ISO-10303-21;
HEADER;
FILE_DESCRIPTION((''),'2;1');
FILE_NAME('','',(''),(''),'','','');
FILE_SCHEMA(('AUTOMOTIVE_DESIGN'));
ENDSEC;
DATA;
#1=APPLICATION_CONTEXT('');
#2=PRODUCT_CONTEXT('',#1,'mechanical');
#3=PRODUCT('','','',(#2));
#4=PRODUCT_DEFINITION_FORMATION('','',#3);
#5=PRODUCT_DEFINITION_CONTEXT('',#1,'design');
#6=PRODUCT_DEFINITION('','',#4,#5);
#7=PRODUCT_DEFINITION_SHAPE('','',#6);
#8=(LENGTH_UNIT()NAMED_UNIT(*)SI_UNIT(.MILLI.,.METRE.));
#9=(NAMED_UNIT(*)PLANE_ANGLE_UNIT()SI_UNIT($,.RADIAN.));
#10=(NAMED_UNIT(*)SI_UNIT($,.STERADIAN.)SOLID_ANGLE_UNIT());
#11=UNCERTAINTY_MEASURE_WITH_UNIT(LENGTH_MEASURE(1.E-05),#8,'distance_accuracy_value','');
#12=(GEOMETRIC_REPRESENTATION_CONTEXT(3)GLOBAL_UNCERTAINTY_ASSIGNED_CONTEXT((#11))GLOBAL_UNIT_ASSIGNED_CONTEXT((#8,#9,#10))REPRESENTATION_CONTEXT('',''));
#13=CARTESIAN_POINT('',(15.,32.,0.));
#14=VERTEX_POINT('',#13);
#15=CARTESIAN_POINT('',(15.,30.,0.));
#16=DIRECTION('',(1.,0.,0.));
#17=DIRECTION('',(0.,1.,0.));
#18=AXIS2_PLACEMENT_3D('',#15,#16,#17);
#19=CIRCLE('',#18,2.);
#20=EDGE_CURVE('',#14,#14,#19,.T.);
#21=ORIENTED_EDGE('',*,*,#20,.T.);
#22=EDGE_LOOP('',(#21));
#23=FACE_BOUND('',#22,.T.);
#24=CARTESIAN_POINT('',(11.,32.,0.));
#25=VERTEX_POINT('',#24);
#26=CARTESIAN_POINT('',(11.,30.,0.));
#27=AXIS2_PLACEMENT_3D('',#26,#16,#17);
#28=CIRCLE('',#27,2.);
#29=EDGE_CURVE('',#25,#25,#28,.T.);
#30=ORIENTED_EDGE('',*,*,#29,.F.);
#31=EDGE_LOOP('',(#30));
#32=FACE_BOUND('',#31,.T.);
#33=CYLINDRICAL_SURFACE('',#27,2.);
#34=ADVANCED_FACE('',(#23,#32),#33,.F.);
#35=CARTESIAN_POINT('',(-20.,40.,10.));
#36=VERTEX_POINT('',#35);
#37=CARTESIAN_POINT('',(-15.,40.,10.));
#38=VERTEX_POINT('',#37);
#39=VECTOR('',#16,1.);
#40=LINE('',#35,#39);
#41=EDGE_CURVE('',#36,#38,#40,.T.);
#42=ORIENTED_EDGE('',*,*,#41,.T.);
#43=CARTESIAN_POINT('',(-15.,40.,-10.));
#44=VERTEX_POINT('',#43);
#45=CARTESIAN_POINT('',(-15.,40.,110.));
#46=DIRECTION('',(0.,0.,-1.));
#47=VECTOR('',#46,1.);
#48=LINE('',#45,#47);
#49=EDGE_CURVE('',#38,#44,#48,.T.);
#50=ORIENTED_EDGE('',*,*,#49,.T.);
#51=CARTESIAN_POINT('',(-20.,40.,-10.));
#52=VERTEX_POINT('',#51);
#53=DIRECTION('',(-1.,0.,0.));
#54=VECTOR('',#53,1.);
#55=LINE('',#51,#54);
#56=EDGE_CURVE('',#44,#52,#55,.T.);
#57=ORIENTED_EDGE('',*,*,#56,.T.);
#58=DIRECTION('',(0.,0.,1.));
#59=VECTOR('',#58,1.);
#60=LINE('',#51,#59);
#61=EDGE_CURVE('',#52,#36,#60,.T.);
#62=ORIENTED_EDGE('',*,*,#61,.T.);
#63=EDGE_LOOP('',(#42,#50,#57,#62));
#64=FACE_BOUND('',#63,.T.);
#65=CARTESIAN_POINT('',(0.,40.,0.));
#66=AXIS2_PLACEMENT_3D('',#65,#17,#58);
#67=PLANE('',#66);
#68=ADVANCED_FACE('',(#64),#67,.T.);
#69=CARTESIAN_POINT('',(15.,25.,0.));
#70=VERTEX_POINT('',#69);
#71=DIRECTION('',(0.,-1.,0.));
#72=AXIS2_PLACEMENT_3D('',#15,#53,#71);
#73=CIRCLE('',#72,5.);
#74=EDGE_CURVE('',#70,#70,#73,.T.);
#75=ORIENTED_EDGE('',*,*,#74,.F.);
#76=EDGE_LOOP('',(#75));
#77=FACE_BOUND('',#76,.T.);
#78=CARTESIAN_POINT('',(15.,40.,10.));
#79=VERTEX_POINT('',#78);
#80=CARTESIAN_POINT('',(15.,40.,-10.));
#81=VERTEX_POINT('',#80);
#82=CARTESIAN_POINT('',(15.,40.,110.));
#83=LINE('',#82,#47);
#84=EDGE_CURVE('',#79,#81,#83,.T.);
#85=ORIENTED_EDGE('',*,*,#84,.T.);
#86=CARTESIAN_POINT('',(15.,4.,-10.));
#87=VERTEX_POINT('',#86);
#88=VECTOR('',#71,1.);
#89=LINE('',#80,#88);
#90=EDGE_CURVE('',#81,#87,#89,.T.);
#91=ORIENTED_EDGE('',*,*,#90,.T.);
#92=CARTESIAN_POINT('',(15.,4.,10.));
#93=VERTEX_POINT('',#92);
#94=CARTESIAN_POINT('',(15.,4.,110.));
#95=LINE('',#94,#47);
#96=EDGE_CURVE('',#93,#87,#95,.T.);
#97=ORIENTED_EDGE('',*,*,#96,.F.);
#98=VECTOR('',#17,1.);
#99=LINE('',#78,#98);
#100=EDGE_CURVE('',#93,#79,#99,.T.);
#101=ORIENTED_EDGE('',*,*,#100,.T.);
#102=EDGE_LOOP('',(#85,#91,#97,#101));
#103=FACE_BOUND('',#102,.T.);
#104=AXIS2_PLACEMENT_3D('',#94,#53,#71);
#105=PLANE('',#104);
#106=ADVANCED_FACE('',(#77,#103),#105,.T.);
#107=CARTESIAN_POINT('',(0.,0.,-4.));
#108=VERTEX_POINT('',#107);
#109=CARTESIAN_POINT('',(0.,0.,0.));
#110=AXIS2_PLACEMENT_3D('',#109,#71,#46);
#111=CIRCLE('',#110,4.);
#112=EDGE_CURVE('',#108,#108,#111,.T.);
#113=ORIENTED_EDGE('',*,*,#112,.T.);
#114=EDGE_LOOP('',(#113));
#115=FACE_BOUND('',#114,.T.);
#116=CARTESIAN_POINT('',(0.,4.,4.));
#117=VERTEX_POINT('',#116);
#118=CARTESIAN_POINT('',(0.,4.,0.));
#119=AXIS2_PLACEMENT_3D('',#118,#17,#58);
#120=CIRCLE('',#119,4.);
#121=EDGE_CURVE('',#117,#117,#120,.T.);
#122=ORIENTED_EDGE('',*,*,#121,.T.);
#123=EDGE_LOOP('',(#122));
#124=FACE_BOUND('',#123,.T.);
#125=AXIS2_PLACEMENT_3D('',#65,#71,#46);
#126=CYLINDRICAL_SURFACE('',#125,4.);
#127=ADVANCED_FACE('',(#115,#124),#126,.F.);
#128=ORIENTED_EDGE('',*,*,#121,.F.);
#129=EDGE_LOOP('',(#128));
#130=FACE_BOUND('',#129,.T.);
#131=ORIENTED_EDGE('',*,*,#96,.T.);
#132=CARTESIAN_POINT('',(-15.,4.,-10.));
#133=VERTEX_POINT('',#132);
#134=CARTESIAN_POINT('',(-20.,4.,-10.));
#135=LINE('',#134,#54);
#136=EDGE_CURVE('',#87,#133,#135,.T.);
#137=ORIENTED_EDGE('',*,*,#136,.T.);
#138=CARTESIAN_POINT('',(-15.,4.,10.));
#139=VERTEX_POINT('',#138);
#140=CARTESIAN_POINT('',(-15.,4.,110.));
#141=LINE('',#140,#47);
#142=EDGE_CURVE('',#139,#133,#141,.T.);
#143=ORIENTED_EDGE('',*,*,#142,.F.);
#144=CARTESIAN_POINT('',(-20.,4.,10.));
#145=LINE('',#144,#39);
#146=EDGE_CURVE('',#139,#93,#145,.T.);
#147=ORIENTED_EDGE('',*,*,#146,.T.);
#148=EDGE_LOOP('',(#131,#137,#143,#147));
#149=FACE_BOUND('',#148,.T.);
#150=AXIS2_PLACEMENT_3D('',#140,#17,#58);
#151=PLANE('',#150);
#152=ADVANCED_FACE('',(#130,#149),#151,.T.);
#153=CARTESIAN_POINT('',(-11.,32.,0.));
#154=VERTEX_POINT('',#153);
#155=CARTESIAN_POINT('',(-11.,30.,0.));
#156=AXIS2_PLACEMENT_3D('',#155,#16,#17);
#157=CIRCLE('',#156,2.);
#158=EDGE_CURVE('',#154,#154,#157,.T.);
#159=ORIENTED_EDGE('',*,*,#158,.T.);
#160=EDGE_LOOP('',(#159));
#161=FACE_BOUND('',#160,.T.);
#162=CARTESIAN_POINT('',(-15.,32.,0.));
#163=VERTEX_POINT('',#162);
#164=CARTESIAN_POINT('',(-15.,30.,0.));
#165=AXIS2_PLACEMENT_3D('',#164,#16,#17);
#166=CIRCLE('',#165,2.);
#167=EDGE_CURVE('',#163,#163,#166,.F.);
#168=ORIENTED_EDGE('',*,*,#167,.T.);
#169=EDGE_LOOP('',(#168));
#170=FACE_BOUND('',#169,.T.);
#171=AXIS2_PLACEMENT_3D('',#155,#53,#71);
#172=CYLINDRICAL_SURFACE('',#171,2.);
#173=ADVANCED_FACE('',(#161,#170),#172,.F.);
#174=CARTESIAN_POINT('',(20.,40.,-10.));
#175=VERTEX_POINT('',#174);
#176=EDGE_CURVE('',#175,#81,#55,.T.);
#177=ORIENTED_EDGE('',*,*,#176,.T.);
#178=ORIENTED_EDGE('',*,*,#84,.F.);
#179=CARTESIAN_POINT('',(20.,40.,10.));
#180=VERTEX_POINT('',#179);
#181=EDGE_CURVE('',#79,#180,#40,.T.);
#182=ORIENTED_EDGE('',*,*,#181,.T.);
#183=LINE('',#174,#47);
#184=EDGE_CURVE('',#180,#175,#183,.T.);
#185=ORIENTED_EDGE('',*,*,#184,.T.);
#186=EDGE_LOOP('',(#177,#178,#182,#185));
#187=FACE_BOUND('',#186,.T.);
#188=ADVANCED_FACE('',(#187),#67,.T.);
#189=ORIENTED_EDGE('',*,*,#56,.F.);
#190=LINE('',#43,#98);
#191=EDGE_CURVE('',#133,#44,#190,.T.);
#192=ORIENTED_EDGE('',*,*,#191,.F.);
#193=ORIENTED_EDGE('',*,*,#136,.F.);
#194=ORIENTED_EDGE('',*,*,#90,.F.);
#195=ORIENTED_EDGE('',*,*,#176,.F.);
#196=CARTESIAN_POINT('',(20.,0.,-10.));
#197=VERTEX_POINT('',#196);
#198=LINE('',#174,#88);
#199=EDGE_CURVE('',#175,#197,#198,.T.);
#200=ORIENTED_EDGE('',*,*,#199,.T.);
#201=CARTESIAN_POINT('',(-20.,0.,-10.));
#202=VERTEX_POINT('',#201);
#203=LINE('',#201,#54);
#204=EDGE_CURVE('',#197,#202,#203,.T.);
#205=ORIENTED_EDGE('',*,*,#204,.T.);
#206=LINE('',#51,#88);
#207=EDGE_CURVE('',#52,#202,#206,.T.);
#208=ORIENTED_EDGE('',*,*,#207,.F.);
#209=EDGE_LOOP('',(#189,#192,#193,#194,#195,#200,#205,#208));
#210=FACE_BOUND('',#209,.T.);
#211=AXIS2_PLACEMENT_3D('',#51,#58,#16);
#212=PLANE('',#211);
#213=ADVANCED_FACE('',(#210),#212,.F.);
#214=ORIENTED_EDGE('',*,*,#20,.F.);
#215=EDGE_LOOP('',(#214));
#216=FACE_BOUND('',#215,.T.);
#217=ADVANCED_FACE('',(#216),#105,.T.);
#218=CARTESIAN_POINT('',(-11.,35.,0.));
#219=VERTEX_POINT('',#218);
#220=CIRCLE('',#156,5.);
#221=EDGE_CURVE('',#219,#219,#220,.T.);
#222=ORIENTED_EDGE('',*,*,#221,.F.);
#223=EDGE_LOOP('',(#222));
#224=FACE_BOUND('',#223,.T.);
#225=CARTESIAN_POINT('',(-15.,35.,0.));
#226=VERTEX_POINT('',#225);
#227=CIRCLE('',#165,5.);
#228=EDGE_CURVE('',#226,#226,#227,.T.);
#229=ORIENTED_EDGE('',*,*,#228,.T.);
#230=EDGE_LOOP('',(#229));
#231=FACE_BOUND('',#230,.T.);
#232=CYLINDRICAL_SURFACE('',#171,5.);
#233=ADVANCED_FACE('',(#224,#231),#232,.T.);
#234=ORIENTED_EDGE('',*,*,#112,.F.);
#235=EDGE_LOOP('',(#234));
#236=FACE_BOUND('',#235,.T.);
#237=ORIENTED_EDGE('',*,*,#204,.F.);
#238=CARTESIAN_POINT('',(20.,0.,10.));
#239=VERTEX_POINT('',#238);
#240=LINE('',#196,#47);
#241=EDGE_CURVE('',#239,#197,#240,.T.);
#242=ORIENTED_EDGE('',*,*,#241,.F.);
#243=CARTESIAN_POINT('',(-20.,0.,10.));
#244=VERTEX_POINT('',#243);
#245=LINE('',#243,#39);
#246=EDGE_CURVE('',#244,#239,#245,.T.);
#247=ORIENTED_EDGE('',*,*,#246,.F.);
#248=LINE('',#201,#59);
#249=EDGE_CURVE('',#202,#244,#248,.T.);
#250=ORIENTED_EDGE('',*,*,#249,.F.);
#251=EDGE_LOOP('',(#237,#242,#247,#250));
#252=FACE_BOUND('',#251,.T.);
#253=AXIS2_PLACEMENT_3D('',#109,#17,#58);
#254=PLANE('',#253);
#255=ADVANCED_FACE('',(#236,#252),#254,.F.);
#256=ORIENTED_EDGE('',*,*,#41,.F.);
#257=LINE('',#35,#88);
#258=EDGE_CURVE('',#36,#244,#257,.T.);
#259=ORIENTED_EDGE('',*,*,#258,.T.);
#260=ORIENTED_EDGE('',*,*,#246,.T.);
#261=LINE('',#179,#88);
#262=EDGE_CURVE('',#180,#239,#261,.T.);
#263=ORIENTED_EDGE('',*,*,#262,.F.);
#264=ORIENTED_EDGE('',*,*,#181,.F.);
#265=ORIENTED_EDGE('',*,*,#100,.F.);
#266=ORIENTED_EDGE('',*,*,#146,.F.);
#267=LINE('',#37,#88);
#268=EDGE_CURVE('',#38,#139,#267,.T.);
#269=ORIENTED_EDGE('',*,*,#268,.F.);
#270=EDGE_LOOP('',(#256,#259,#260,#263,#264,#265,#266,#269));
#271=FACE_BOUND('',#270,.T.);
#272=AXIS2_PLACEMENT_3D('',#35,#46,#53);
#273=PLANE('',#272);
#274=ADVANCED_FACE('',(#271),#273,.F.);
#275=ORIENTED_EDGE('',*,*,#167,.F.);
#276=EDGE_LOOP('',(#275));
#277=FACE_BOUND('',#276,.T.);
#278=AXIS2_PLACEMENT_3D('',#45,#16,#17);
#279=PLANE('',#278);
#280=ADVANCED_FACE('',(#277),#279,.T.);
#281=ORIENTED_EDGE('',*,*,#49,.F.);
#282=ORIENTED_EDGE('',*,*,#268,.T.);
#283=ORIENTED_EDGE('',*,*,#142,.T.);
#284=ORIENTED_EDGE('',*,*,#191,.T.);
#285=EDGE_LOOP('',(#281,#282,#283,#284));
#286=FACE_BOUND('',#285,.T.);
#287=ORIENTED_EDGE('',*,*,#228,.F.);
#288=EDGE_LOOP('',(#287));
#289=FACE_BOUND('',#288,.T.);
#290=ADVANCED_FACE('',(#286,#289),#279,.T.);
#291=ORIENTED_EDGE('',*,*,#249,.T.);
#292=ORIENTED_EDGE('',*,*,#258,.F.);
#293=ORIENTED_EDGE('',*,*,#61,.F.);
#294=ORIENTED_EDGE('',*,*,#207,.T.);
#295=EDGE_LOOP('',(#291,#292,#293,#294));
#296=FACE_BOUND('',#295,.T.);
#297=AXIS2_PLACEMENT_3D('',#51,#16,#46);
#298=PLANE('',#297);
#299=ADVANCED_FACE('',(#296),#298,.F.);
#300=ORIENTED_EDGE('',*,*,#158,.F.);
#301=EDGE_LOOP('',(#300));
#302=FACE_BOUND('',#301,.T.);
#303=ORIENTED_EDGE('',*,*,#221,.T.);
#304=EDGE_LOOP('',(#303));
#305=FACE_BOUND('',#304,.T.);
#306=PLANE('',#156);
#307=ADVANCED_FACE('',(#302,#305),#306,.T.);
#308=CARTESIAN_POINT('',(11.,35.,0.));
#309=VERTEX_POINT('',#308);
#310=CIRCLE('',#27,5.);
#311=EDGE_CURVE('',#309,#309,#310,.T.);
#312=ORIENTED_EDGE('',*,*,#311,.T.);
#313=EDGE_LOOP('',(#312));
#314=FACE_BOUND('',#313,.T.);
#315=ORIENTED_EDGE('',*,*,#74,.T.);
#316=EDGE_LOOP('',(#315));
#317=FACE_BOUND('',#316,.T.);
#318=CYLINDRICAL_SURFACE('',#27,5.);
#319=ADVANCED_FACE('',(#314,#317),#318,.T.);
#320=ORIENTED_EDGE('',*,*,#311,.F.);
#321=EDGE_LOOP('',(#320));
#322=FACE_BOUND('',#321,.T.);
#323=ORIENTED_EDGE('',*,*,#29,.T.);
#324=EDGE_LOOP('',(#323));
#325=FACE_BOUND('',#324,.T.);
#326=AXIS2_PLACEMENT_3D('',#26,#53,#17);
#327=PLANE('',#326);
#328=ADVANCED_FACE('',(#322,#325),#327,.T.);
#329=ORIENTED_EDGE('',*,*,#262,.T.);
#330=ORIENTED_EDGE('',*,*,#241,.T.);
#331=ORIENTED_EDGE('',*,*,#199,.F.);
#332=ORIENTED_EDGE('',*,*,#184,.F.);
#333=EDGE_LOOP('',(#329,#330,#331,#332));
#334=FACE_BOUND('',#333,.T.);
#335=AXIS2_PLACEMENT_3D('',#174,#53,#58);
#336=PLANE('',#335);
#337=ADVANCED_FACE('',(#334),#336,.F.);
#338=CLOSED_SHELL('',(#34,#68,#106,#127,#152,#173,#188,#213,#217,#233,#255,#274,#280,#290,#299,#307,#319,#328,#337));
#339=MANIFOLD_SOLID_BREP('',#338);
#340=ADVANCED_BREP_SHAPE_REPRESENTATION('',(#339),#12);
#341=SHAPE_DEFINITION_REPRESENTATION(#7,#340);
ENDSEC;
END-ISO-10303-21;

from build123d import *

# Parameters (mm, degrees)
SKETCH_1_W               = 40
SKETCH_1_H               = 20
EXTRUDE_1_DEPTH          = 40
CUT_EXTRUDE_1_DEPTH      = 49.989794856
CUT_EXTRUDE_1_DEPTH_BACK = 49.989794856
SKETCH_4_R               = 4
CUT_EXTRUDE_3_DEPTH      = 46.82575695
SKETCH_5_R               = 5
SKETCH_5_R_2             = 2
EXTRUDE_2_DEPTH          = 4


with BuildPart() as part:
    # 草图1 → 凸台-拉伸1 (new body)
    with BuildSketch(Plane(origin=(0, 0, 0), x_dir=(1, 0, 0), z_dir=(0, 1, 0))):
        Rectangle(SKETCH_1_W, SKETCH_1_H)
    extrude(amount=EXTRUDE_1_DEPTH)

    # 草图2 → 切除-拉伸1 (cut, two sides: drawn at the far end of the back side and taken through both)
    with BuildSketch(Plane.XY.offset(10).offset(-CUT_EXTRUDE_1_DEPTH_BACK)):
        Polygon((-15, 156.301458127), (-15, 40), (-15, 4), (15, 4), (15, 40), (15, 156.301458127), (15, 388.904374382), (-15, 388.904374382), align=None)
    extrude(amount=CUT_EXTRUDE_1_DEPTH + CUT_EXTRUDE_1_DEPTH_BACK, mode=Mode.SUBTRACT)

    # 草图4 → 切除-拉伸3 (cut, through all)
    with BuildSketch(Plane.XZ):
        with Locations(Location((0, 0, 0), (0, 0, 270))):
            Circle(SKETCH_4_R)
    extrude(amount=-CUT_EXTRUDE_3_DEPTH, mode=Mode.SUBTRACT)

    # 草图5 → 凸台-拉伸2 (add)
    with BuildSketch(Plane(origin=(-15, 0, 0), x_dir=(0, 0, -1), z_dir=(1, 0, 0))):
        with Locations(Location((0, 30, 0), (0, 0, 90))):
            Circle(SKETCH_5_R)
        with Locations(Location((0, 30, 0), (0, 0, 90))):
            Circle(SKETCH_5_R_2, mode=Mode.SUBTRACT)
    extrude_2 = extrude(amount=EXTRUDE_2_DEPTH)

    # 镜向1: 凸台-拉伸2 across plane
    add(extrude_2.mirror(Plane(origin=(0, 0, 0), x_dir=(0, 0, 1), z_dir=(1, 0, 0))))


solid = part.part
